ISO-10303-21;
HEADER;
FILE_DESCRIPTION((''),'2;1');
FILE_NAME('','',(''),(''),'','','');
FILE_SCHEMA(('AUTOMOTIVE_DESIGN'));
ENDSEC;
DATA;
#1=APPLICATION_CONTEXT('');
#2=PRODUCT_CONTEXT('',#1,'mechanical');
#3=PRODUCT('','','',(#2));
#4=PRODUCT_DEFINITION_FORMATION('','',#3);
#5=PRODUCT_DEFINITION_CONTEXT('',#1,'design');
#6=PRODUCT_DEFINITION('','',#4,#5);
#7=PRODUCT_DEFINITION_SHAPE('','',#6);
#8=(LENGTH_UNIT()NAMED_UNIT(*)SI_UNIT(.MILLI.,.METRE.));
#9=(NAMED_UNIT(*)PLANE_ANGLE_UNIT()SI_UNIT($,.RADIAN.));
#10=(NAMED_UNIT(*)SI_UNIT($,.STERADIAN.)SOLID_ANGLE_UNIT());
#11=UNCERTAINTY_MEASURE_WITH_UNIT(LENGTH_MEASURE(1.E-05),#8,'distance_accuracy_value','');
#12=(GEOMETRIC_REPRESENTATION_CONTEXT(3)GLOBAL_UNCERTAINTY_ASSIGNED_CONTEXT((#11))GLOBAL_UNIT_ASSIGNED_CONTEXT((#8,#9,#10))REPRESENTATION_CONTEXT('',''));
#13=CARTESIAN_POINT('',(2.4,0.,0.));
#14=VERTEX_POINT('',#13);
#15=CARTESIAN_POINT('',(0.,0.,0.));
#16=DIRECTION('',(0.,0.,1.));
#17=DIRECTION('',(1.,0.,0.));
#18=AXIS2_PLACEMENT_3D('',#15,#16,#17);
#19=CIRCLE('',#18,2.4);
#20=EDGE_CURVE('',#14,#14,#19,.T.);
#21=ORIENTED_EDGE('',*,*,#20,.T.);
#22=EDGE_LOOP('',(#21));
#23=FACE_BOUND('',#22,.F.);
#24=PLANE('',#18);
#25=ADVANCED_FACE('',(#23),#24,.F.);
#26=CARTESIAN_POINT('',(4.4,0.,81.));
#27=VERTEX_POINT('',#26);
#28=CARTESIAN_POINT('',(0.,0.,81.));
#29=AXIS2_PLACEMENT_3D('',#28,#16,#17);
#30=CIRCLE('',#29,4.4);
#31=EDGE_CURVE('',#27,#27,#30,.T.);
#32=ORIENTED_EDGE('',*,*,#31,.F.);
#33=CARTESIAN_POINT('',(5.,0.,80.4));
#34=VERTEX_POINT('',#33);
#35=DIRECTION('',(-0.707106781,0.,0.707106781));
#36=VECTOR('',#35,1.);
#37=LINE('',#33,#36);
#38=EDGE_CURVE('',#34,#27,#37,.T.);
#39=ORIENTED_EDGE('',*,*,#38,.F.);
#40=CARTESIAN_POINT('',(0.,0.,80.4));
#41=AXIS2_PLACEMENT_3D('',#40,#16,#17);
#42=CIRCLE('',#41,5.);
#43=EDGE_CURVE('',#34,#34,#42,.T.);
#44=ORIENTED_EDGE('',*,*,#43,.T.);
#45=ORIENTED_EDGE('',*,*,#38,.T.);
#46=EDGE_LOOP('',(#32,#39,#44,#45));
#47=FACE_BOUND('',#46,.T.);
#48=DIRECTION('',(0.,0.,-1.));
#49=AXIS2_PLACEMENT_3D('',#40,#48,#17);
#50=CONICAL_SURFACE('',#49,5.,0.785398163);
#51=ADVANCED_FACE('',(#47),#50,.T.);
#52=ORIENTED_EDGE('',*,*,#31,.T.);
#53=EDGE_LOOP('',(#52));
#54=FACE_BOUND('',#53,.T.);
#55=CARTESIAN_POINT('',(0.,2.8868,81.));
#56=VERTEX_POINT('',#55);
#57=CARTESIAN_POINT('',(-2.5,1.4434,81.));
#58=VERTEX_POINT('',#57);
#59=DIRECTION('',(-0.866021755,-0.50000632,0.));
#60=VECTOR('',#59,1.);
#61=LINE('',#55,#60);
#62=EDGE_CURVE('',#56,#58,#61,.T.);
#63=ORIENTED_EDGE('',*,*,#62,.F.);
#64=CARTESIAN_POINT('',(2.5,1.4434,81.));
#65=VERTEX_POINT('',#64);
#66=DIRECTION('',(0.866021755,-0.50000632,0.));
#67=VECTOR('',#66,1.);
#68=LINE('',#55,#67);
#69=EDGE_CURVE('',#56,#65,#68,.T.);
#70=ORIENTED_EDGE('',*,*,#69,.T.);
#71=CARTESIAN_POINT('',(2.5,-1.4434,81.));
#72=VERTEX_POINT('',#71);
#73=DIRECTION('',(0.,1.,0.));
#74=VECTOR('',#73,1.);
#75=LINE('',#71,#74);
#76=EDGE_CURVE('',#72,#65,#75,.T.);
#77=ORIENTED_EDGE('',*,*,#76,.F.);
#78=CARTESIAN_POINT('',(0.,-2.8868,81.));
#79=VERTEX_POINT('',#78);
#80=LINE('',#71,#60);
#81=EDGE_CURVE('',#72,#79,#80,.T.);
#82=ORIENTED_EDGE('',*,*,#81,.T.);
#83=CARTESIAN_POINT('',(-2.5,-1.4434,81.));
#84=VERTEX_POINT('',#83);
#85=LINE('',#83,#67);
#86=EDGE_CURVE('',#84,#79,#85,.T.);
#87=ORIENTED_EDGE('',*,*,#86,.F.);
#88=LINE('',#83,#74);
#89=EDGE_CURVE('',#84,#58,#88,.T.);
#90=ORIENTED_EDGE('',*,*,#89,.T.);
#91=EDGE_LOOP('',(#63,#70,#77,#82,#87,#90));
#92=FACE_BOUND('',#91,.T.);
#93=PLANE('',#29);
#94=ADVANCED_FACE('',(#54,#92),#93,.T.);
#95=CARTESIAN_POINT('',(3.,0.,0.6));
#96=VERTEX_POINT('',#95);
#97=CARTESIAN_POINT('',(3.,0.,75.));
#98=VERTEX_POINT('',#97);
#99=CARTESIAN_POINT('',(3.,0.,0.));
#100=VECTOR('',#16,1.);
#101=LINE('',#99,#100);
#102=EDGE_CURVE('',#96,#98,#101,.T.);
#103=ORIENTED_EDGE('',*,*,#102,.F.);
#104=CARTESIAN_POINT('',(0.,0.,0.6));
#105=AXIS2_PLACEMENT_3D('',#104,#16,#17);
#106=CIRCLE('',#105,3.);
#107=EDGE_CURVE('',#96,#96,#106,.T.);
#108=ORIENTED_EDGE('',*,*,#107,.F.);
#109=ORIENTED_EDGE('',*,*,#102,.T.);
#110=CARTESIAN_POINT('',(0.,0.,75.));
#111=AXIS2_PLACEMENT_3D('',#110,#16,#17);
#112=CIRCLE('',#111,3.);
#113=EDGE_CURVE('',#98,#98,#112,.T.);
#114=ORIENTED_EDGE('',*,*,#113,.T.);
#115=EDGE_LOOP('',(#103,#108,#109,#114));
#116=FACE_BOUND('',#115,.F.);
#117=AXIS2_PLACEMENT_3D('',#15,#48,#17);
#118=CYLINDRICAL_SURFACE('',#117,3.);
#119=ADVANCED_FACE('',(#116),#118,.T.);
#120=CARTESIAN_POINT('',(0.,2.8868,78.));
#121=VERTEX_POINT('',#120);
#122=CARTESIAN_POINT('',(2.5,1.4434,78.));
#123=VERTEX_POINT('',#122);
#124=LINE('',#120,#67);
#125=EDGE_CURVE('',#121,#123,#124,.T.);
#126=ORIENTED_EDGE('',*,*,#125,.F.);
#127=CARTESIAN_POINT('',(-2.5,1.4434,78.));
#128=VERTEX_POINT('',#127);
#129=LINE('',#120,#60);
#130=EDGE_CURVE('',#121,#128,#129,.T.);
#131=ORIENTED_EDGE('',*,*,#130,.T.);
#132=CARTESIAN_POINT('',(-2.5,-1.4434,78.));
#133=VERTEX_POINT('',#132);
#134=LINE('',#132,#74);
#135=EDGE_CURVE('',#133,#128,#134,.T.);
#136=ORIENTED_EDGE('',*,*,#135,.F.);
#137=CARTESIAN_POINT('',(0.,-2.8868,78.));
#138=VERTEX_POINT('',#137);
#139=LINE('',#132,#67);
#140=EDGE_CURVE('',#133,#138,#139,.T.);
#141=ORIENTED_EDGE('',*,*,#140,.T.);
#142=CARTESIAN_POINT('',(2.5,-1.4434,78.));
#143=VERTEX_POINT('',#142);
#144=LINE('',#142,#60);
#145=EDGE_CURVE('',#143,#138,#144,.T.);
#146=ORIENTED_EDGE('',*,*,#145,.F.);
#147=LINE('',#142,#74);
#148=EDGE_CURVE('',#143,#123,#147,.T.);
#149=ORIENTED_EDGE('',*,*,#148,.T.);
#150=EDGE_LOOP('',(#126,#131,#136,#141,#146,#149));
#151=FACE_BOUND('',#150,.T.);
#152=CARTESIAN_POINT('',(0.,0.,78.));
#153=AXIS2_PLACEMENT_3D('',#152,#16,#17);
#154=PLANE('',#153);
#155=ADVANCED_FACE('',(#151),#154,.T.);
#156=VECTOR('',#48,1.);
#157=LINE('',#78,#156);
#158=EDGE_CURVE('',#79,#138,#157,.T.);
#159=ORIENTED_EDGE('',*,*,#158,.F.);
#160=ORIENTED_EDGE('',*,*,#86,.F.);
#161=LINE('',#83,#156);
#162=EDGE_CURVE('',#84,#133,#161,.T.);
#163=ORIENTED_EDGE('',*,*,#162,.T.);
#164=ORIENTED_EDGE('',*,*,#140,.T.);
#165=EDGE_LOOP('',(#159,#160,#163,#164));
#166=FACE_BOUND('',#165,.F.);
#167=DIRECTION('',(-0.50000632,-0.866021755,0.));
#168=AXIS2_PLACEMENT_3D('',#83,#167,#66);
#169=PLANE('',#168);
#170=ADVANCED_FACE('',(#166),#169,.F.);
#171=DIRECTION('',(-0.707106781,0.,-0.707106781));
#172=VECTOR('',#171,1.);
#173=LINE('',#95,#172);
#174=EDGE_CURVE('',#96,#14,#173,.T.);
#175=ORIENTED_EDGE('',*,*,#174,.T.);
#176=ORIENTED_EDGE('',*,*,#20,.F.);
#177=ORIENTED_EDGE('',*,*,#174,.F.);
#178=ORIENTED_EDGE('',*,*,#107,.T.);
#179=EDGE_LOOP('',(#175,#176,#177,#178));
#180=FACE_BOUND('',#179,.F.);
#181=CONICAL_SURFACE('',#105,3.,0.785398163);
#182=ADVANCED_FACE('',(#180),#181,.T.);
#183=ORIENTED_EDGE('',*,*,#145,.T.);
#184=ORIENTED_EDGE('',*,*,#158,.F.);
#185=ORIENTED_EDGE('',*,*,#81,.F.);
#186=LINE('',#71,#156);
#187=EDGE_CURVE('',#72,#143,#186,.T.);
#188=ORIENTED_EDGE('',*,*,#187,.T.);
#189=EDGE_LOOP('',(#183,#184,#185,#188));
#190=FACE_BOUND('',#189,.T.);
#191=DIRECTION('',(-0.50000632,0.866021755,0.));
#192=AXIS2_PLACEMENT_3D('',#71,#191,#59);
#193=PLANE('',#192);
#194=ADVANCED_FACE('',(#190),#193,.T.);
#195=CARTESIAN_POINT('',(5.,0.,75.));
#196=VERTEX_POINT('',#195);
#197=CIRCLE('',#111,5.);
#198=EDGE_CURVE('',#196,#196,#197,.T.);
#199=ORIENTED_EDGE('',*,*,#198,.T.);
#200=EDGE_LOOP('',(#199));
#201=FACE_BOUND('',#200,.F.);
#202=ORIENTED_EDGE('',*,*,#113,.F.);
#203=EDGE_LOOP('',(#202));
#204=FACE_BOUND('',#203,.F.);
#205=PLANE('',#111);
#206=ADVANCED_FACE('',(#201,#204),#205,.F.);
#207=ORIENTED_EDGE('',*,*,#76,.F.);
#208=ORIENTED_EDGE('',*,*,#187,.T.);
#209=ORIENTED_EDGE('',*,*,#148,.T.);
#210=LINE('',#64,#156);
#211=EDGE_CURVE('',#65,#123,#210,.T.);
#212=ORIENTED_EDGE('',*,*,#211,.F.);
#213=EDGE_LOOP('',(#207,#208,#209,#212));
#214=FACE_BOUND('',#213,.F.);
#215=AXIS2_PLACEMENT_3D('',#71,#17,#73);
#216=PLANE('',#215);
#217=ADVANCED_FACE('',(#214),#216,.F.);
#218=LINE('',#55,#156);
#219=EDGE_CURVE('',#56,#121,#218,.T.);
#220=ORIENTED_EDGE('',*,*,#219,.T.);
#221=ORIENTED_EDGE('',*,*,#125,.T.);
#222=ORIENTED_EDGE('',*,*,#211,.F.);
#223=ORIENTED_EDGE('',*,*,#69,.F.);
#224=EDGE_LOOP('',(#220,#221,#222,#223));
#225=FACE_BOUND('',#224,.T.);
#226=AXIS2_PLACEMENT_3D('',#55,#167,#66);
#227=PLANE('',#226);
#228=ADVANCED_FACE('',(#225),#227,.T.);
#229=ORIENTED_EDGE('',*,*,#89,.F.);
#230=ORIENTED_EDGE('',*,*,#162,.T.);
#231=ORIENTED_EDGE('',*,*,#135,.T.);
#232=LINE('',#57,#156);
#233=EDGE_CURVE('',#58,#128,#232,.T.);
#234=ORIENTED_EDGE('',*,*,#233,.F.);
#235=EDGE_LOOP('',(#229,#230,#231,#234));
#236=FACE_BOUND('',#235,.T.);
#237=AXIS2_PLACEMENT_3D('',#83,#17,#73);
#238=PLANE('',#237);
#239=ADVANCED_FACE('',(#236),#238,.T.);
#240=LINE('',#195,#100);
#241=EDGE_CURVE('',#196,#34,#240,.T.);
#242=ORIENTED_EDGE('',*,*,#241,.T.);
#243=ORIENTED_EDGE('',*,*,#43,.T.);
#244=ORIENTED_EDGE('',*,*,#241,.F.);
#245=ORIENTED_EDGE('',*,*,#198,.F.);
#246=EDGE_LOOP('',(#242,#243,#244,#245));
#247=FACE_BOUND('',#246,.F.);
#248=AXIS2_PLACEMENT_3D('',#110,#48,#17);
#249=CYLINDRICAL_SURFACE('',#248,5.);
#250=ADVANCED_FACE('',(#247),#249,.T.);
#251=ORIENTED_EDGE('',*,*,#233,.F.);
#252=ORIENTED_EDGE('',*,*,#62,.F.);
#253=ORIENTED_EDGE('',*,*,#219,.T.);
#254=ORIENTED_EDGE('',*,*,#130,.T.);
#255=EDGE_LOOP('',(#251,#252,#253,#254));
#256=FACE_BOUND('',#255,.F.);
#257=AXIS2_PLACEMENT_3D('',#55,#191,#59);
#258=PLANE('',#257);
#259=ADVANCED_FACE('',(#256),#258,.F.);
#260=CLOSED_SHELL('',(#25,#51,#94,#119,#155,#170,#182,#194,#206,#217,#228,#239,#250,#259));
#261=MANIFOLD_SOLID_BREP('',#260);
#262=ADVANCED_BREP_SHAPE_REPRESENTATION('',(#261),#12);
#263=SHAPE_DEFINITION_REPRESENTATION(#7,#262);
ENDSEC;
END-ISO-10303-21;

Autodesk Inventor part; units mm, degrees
ref_plane "YZ Plane" through (0, 0, 0) normal (1, 0, 0) x (0, 1, 0)
ref_plane "XZ Plane" through (0, 0, 0) normal (0, 1, 0) x (-1, 0, 0)
ref_plane "XY Plane" through (0, 0, 0) normal (0, 0, 1) x (1, 0, 0)
sketch "Sketch1" plane through (0, 0, 0) normal (0, 0, 1) x (1, 0, 0)
  circle A0 centre (0, 0) radius 3
  dimension "Diameter" = 6
extrude "Extrusion1" add sketch "Sketch1" along normal blind 75
sketch "Sketch2" plane through (0, 0, 75) normal (0, 0, 1) x (1, 0, 0)
  circle A0 centre (0, 0) radius 3 projected
  circle A1 centre (0, 0) radius 5
  dimension "Head_Diameter" = 10
extrude "Extrusion2" add sketch "Sketch2" along normal blind 6 contours A0 | A1
sketch "Sketch3" plane through (0, 0, 81) normal (0, 0, 1) x (1, 0, 0)
  circle A0 centre (0, 0) radius 5 projected
  circle A1 centre (0, 0) radius 2.8868 construction
  line L0 (0, 2.8868) -> (2.5, 1.4434)
  line L1 (2.5, -1.4434) -> (2.5, 1.4434)
  line L2 (0, 2.8868) -> (-2.5, 1.4434)
  line L3 (-2.5, -1.4434) -> (-2.5, 1.4434)
  line L4 (-2.5, -1.4434) -> (0, -2.8868)
  line L5 (2.5, -1.4434) -> (0, -2.8868)
  dimension "Hex_Width" = 5
extrude "Extrusion3" cut sketch "Sketch3" against normal blind 3 contours L0 L1 L5 L4 L3 L2
thread "Thread1" size "M6x1" class "4g6g" standard "ANSI Metric M Profile" length 24
chamfer "Chamfer1" distance 0.6 angle 45 2 edges at (-5, 0, 81) (-3, 0, 0)
equation "\"d9\" = ThreadLength"
equation "\"d12\" = Chamfer"
equation "\"ThreadLength\" = 24"
equation "\"Chamfer\" = 0.6"
properties part number "SCREW, SOCKET HD, P, 12.9, M6X1X75MM"
